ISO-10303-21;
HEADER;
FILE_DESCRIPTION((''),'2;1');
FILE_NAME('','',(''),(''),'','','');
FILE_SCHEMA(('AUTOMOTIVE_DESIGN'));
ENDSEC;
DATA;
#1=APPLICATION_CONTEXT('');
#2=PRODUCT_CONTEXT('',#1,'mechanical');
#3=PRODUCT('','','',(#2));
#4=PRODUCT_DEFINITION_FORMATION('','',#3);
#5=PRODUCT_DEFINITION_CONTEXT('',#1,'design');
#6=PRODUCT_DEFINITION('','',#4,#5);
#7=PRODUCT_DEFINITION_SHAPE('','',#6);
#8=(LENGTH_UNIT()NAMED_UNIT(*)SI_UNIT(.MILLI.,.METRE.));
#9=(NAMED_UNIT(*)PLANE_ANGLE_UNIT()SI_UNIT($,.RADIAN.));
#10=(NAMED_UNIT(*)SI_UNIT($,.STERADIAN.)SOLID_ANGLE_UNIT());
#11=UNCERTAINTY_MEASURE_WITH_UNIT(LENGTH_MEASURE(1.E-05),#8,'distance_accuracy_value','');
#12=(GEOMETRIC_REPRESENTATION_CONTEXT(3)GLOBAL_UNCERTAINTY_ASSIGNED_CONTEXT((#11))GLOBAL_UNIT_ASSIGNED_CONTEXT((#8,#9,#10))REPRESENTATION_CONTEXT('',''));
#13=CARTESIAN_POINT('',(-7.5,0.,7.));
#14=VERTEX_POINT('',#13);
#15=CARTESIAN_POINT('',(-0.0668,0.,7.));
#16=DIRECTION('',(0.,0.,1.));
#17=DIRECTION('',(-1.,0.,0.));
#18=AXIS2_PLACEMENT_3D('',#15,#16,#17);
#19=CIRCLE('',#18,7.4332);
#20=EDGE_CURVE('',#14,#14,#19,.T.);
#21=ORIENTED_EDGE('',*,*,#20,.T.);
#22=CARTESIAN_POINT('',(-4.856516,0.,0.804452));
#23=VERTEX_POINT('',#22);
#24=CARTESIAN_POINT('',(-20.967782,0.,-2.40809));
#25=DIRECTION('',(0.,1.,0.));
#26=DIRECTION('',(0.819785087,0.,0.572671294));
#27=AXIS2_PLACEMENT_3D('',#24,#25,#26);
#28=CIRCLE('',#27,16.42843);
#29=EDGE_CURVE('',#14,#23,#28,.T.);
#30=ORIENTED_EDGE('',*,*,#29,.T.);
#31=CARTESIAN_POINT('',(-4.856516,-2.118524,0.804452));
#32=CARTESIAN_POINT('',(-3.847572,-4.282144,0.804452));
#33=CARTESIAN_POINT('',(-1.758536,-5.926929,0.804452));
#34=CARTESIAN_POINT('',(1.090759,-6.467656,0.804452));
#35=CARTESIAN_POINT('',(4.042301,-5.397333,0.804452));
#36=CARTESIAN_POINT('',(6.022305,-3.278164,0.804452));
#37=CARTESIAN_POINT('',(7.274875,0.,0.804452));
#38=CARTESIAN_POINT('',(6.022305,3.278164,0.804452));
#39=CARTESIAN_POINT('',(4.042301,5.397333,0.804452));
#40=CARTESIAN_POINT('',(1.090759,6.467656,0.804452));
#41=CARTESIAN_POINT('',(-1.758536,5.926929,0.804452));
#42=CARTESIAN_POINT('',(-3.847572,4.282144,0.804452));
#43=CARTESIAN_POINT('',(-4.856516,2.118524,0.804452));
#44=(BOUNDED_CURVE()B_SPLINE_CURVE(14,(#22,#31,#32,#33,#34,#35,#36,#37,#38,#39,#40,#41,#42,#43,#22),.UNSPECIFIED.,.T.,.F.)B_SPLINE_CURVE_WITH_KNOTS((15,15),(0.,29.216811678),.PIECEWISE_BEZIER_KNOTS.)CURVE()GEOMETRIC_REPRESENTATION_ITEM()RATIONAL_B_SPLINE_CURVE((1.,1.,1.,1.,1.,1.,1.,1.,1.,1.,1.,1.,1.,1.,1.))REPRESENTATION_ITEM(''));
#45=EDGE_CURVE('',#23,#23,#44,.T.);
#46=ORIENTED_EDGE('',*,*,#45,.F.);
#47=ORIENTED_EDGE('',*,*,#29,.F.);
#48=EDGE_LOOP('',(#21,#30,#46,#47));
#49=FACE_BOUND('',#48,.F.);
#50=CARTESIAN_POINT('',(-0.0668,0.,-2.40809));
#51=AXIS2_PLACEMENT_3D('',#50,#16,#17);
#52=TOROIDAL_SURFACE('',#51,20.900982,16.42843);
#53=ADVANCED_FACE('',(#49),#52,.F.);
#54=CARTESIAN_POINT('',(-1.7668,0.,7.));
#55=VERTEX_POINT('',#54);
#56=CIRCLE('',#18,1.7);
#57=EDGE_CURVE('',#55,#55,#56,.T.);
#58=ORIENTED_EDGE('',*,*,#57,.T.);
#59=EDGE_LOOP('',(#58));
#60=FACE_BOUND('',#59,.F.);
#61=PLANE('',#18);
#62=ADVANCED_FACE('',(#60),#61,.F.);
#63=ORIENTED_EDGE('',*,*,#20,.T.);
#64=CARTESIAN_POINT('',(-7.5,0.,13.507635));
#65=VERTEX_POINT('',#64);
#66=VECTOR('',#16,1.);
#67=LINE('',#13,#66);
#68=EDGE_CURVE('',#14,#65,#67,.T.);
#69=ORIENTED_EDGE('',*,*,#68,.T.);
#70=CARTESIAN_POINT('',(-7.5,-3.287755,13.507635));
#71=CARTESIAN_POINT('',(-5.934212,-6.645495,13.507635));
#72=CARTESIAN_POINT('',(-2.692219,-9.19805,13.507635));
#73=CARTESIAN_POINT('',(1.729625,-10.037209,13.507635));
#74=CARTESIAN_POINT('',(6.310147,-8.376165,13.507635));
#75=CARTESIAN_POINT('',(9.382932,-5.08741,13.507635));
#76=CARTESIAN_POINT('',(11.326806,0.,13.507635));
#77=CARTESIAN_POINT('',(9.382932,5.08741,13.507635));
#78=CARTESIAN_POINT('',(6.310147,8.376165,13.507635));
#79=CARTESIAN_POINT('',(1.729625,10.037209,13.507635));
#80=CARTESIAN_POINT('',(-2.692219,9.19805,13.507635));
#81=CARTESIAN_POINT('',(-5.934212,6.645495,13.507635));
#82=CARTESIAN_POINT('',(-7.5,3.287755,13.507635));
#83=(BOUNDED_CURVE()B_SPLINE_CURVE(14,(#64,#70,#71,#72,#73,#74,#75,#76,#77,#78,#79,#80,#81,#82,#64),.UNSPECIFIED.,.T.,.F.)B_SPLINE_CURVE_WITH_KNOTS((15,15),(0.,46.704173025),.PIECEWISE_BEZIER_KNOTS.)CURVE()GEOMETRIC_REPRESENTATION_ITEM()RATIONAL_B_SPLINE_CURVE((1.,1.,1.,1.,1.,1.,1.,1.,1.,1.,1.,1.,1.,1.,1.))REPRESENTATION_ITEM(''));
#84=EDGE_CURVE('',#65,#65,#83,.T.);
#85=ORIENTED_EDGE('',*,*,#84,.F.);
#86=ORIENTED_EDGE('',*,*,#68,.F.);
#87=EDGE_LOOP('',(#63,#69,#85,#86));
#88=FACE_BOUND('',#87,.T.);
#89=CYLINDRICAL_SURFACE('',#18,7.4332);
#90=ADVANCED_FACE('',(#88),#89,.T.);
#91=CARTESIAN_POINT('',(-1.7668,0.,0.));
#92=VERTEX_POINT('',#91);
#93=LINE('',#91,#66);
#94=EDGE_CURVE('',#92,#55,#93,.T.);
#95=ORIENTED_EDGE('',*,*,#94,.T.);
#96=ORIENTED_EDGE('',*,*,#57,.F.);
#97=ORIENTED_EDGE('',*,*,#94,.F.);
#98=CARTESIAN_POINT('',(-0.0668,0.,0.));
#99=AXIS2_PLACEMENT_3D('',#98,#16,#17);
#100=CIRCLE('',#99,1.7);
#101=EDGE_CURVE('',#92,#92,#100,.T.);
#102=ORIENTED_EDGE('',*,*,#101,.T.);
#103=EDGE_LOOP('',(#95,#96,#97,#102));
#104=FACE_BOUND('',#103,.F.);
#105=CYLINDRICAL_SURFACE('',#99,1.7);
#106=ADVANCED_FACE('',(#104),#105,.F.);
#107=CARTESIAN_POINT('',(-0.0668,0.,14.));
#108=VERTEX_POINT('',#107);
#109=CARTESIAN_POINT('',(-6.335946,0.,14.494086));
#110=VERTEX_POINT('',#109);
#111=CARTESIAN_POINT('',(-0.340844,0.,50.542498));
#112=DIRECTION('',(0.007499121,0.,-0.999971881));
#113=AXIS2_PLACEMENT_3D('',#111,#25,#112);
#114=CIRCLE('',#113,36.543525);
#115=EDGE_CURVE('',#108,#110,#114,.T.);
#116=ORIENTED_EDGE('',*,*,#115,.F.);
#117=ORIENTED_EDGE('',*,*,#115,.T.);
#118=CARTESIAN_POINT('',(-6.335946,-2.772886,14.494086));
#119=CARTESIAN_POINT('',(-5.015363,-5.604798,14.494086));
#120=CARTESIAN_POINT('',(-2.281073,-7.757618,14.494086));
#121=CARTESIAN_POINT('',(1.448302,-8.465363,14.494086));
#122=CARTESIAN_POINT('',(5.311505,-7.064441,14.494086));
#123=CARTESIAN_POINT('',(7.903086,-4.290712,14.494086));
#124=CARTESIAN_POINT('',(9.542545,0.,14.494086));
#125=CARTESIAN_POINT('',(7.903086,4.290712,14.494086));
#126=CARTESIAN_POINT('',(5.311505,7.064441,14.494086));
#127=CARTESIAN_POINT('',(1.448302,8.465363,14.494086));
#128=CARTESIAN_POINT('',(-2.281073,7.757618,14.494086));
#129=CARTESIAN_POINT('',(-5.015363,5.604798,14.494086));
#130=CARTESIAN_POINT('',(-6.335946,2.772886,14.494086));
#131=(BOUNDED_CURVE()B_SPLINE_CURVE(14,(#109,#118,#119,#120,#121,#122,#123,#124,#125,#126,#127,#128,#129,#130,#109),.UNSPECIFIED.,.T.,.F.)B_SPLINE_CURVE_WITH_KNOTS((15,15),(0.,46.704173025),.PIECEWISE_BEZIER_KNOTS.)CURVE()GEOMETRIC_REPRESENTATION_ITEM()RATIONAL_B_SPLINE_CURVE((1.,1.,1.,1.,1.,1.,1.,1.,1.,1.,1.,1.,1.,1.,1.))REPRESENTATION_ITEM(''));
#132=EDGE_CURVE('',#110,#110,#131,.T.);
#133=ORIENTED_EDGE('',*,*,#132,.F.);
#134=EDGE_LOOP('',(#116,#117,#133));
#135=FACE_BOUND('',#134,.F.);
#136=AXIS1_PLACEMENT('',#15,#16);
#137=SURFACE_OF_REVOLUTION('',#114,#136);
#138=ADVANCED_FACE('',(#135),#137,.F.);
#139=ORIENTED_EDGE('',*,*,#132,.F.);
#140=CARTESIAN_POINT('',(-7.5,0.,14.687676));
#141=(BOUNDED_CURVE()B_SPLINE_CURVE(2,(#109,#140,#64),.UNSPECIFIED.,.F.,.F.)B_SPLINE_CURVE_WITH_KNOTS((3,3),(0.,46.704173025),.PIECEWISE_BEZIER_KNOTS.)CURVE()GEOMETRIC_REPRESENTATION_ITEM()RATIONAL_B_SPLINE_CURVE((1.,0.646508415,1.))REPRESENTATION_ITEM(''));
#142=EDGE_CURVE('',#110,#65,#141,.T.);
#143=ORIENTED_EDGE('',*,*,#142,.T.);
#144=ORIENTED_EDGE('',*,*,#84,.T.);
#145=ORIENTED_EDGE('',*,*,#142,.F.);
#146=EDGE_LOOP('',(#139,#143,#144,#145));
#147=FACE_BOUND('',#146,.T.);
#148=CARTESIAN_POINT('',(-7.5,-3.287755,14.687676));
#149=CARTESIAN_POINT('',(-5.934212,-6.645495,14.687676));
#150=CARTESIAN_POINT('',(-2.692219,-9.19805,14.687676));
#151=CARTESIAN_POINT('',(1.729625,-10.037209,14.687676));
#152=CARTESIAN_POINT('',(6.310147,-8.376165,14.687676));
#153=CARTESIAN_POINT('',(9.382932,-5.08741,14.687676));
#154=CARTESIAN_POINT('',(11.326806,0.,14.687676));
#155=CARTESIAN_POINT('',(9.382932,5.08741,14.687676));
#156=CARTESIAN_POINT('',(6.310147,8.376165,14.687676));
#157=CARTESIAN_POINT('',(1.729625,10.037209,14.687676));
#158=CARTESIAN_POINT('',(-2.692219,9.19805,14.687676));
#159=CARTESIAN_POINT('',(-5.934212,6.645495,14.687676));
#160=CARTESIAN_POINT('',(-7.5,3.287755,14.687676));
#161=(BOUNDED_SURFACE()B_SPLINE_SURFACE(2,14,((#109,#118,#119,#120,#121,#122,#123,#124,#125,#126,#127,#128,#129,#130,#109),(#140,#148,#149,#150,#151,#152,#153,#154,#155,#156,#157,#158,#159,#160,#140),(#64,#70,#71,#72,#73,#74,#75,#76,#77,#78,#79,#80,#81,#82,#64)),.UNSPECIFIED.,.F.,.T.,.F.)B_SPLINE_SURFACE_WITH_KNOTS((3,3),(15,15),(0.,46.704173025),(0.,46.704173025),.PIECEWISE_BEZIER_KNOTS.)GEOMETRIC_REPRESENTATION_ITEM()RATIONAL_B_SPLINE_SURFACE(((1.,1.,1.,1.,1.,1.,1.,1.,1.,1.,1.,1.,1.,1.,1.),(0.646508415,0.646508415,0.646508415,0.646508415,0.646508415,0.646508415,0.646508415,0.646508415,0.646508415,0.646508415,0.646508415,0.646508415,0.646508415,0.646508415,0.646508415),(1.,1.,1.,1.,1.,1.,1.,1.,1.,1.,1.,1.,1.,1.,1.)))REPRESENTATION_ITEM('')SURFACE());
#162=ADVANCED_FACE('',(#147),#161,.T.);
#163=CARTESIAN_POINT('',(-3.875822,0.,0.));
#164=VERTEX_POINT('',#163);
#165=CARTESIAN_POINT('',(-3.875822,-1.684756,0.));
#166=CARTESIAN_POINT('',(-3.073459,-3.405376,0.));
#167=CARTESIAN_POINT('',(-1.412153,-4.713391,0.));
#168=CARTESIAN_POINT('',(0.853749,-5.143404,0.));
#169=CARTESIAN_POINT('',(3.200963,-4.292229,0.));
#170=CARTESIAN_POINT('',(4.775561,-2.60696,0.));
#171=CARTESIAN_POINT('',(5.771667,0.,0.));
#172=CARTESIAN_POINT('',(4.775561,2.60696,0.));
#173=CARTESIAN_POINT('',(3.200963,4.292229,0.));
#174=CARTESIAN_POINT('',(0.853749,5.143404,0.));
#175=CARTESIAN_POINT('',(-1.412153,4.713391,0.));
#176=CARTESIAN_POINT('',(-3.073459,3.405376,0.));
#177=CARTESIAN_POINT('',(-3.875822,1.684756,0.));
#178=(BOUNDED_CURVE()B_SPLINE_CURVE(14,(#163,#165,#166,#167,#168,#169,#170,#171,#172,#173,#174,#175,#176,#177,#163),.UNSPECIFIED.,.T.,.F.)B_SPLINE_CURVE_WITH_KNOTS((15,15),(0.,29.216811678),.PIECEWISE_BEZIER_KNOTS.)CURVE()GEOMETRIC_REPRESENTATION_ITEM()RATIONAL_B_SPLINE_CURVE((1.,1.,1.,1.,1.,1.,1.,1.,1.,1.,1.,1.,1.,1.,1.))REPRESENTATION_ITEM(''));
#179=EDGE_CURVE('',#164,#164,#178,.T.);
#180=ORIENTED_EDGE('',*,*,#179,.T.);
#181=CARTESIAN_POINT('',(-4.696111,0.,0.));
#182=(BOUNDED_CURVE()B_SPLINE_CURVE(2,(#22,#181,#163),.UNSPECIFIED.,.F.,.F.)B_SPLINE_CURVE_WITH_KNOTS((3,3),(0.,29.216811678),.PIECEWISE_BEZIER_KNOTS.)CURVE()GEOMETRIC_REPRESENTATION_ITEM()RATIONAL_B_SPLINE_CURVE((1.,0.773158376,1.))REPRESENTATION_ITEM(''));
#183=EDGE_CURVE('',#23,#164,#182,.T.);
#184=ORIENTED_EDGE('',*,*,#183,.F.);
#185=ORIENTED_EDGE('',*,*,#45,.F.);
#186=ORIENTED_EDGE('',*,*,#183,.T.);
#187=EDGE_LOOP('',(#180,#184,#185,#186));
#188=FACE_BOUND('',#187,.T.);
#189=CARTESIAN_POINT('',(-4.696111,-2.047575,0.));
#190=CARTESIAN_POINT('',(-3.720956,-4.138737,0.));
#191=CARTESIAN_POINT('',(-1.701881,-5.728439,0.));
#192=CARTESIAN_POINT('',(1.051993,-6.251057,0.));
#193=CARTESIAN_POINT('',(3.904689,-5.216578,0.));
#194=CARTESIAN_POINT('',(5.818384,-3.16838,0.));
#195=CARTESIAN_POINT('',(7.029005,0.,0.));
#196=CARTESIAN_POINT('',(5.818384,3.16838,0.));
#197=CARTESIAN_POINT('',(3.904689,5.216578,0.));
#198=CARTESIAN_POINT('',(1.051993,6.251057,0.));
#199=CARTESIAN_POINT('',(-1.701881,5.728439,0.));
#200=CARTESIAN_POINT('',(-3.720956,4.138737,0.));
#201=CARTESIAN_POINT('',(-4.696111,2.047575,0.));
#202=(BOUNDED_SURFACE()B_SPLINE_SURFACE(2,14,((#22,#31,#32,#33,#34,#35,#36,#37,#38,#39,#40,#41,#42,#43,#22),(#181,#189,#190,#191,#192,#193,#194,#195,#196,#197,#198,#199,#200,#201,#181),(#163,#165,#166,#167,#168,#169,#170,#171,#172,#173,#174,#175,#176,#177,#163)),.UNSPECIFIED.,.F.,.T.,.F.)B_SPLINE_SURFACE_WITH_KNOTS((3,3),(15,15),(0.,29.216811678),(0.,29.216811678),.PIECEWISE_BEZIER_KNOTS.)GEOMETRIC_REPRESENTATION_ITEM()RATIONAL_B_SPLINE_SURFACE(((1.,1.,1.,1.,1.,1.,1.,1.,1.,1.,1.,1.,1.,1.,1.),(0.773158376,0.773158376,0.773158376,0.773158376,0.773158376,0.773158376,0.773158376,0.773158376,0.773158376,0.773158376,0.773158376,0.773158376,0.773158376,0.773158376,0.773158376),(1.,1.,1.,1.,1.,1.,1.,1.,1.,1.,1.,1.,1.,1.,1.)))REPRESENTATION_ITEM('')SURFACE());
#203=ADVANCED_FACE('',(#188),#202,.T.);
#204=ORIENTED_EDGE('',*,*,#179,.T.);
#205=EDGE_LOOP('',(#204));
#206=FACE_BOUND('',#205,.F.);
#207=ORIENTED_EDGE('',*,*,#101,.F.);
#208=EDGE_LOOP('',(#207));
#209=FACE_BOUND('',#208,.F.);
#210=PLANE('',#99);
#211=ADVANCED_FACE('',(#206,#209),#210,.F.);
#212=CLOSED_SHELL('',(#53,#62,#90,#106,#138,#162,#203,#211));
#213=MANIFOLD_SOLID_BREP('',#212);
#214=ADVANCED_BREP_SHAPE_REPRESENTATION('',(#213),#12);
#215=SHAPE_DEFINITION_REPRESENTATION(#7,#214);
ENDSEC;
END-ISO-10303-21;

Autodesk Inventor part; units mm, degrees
ref_plane "YZ Plane" through (0, 0, 0) normal (1, 0, 0) x (0, 1, 0)
ref_plane "XZ Plane" through (0, 0, 0) normal (0, 1, 0) x (-1, 0, 0)
ref_plane "XY Plane" through (0, 0, 0) normal (0, 0, 1) x (1, 0, 0)
sketch "Sketch1" plane through (0, 0, 0) normal (0, 1, 0) x (-1, 0, 0)
  line L0 (1.7668, 0) -> (1.7668, 7)
  line L1 (1.7668, 7) -> (0.0668, 7)
  line L2 (0.0668, 7) -> (0.0668, 14)
  line L3 (4.7168, 0) -> (1.7668, 0)
  arc A0 (0.0668, 14) -> (7.5, 14.7071) centre (0.3407, 50.5458) ccw
  arc A1 (7.5, 7) -> (4.7168, 0) centre (20.9678, -2.4081) ccw
  line L4 (1.7668, 7) -> (7.5, 7) construction
  line L5 (7.5, 7) -> (7.5, 0) construction
  line L6 (7.5, 7) -> (7.5, 14.7071)
  point P0 (0, 0)
  dimension "d0" = 1.7
  dimension "d5" = 7
  dimension "d10" = 0
  dimension "d11" = 36.5468
  dimension "d12" = 7
  dimension "d16" = 14.7071
  dimension "d17" = 16.4285
  dimension "d18" = 2.95
  dimension "d20" = 20.9678
  dimension "d21" = 5.7332
  dimension "d22" = 7
revolve "Revolution1" add sketch "Sketch1" angle 360 about axis through (-0.0668, 0, 7) along (0, 0, 1)
fillet "Fillet1" radius 1 2 edges at (4.5832, 0, 0) (7.3664, 0, 14.7071)
equation "\"d0\" = 0.5 * LSH_Durchmesser + epsilon"
equation "\"d15\" = Rundung"
equation "\"LSH_Durchmesser\" = 3.2"
equation "\"epsilon\" = 0.1"
equation "\"Taster_Durchmesser\" = 15"
equation "\"Rundung\" = 1"
properties part number "pushbutton"
